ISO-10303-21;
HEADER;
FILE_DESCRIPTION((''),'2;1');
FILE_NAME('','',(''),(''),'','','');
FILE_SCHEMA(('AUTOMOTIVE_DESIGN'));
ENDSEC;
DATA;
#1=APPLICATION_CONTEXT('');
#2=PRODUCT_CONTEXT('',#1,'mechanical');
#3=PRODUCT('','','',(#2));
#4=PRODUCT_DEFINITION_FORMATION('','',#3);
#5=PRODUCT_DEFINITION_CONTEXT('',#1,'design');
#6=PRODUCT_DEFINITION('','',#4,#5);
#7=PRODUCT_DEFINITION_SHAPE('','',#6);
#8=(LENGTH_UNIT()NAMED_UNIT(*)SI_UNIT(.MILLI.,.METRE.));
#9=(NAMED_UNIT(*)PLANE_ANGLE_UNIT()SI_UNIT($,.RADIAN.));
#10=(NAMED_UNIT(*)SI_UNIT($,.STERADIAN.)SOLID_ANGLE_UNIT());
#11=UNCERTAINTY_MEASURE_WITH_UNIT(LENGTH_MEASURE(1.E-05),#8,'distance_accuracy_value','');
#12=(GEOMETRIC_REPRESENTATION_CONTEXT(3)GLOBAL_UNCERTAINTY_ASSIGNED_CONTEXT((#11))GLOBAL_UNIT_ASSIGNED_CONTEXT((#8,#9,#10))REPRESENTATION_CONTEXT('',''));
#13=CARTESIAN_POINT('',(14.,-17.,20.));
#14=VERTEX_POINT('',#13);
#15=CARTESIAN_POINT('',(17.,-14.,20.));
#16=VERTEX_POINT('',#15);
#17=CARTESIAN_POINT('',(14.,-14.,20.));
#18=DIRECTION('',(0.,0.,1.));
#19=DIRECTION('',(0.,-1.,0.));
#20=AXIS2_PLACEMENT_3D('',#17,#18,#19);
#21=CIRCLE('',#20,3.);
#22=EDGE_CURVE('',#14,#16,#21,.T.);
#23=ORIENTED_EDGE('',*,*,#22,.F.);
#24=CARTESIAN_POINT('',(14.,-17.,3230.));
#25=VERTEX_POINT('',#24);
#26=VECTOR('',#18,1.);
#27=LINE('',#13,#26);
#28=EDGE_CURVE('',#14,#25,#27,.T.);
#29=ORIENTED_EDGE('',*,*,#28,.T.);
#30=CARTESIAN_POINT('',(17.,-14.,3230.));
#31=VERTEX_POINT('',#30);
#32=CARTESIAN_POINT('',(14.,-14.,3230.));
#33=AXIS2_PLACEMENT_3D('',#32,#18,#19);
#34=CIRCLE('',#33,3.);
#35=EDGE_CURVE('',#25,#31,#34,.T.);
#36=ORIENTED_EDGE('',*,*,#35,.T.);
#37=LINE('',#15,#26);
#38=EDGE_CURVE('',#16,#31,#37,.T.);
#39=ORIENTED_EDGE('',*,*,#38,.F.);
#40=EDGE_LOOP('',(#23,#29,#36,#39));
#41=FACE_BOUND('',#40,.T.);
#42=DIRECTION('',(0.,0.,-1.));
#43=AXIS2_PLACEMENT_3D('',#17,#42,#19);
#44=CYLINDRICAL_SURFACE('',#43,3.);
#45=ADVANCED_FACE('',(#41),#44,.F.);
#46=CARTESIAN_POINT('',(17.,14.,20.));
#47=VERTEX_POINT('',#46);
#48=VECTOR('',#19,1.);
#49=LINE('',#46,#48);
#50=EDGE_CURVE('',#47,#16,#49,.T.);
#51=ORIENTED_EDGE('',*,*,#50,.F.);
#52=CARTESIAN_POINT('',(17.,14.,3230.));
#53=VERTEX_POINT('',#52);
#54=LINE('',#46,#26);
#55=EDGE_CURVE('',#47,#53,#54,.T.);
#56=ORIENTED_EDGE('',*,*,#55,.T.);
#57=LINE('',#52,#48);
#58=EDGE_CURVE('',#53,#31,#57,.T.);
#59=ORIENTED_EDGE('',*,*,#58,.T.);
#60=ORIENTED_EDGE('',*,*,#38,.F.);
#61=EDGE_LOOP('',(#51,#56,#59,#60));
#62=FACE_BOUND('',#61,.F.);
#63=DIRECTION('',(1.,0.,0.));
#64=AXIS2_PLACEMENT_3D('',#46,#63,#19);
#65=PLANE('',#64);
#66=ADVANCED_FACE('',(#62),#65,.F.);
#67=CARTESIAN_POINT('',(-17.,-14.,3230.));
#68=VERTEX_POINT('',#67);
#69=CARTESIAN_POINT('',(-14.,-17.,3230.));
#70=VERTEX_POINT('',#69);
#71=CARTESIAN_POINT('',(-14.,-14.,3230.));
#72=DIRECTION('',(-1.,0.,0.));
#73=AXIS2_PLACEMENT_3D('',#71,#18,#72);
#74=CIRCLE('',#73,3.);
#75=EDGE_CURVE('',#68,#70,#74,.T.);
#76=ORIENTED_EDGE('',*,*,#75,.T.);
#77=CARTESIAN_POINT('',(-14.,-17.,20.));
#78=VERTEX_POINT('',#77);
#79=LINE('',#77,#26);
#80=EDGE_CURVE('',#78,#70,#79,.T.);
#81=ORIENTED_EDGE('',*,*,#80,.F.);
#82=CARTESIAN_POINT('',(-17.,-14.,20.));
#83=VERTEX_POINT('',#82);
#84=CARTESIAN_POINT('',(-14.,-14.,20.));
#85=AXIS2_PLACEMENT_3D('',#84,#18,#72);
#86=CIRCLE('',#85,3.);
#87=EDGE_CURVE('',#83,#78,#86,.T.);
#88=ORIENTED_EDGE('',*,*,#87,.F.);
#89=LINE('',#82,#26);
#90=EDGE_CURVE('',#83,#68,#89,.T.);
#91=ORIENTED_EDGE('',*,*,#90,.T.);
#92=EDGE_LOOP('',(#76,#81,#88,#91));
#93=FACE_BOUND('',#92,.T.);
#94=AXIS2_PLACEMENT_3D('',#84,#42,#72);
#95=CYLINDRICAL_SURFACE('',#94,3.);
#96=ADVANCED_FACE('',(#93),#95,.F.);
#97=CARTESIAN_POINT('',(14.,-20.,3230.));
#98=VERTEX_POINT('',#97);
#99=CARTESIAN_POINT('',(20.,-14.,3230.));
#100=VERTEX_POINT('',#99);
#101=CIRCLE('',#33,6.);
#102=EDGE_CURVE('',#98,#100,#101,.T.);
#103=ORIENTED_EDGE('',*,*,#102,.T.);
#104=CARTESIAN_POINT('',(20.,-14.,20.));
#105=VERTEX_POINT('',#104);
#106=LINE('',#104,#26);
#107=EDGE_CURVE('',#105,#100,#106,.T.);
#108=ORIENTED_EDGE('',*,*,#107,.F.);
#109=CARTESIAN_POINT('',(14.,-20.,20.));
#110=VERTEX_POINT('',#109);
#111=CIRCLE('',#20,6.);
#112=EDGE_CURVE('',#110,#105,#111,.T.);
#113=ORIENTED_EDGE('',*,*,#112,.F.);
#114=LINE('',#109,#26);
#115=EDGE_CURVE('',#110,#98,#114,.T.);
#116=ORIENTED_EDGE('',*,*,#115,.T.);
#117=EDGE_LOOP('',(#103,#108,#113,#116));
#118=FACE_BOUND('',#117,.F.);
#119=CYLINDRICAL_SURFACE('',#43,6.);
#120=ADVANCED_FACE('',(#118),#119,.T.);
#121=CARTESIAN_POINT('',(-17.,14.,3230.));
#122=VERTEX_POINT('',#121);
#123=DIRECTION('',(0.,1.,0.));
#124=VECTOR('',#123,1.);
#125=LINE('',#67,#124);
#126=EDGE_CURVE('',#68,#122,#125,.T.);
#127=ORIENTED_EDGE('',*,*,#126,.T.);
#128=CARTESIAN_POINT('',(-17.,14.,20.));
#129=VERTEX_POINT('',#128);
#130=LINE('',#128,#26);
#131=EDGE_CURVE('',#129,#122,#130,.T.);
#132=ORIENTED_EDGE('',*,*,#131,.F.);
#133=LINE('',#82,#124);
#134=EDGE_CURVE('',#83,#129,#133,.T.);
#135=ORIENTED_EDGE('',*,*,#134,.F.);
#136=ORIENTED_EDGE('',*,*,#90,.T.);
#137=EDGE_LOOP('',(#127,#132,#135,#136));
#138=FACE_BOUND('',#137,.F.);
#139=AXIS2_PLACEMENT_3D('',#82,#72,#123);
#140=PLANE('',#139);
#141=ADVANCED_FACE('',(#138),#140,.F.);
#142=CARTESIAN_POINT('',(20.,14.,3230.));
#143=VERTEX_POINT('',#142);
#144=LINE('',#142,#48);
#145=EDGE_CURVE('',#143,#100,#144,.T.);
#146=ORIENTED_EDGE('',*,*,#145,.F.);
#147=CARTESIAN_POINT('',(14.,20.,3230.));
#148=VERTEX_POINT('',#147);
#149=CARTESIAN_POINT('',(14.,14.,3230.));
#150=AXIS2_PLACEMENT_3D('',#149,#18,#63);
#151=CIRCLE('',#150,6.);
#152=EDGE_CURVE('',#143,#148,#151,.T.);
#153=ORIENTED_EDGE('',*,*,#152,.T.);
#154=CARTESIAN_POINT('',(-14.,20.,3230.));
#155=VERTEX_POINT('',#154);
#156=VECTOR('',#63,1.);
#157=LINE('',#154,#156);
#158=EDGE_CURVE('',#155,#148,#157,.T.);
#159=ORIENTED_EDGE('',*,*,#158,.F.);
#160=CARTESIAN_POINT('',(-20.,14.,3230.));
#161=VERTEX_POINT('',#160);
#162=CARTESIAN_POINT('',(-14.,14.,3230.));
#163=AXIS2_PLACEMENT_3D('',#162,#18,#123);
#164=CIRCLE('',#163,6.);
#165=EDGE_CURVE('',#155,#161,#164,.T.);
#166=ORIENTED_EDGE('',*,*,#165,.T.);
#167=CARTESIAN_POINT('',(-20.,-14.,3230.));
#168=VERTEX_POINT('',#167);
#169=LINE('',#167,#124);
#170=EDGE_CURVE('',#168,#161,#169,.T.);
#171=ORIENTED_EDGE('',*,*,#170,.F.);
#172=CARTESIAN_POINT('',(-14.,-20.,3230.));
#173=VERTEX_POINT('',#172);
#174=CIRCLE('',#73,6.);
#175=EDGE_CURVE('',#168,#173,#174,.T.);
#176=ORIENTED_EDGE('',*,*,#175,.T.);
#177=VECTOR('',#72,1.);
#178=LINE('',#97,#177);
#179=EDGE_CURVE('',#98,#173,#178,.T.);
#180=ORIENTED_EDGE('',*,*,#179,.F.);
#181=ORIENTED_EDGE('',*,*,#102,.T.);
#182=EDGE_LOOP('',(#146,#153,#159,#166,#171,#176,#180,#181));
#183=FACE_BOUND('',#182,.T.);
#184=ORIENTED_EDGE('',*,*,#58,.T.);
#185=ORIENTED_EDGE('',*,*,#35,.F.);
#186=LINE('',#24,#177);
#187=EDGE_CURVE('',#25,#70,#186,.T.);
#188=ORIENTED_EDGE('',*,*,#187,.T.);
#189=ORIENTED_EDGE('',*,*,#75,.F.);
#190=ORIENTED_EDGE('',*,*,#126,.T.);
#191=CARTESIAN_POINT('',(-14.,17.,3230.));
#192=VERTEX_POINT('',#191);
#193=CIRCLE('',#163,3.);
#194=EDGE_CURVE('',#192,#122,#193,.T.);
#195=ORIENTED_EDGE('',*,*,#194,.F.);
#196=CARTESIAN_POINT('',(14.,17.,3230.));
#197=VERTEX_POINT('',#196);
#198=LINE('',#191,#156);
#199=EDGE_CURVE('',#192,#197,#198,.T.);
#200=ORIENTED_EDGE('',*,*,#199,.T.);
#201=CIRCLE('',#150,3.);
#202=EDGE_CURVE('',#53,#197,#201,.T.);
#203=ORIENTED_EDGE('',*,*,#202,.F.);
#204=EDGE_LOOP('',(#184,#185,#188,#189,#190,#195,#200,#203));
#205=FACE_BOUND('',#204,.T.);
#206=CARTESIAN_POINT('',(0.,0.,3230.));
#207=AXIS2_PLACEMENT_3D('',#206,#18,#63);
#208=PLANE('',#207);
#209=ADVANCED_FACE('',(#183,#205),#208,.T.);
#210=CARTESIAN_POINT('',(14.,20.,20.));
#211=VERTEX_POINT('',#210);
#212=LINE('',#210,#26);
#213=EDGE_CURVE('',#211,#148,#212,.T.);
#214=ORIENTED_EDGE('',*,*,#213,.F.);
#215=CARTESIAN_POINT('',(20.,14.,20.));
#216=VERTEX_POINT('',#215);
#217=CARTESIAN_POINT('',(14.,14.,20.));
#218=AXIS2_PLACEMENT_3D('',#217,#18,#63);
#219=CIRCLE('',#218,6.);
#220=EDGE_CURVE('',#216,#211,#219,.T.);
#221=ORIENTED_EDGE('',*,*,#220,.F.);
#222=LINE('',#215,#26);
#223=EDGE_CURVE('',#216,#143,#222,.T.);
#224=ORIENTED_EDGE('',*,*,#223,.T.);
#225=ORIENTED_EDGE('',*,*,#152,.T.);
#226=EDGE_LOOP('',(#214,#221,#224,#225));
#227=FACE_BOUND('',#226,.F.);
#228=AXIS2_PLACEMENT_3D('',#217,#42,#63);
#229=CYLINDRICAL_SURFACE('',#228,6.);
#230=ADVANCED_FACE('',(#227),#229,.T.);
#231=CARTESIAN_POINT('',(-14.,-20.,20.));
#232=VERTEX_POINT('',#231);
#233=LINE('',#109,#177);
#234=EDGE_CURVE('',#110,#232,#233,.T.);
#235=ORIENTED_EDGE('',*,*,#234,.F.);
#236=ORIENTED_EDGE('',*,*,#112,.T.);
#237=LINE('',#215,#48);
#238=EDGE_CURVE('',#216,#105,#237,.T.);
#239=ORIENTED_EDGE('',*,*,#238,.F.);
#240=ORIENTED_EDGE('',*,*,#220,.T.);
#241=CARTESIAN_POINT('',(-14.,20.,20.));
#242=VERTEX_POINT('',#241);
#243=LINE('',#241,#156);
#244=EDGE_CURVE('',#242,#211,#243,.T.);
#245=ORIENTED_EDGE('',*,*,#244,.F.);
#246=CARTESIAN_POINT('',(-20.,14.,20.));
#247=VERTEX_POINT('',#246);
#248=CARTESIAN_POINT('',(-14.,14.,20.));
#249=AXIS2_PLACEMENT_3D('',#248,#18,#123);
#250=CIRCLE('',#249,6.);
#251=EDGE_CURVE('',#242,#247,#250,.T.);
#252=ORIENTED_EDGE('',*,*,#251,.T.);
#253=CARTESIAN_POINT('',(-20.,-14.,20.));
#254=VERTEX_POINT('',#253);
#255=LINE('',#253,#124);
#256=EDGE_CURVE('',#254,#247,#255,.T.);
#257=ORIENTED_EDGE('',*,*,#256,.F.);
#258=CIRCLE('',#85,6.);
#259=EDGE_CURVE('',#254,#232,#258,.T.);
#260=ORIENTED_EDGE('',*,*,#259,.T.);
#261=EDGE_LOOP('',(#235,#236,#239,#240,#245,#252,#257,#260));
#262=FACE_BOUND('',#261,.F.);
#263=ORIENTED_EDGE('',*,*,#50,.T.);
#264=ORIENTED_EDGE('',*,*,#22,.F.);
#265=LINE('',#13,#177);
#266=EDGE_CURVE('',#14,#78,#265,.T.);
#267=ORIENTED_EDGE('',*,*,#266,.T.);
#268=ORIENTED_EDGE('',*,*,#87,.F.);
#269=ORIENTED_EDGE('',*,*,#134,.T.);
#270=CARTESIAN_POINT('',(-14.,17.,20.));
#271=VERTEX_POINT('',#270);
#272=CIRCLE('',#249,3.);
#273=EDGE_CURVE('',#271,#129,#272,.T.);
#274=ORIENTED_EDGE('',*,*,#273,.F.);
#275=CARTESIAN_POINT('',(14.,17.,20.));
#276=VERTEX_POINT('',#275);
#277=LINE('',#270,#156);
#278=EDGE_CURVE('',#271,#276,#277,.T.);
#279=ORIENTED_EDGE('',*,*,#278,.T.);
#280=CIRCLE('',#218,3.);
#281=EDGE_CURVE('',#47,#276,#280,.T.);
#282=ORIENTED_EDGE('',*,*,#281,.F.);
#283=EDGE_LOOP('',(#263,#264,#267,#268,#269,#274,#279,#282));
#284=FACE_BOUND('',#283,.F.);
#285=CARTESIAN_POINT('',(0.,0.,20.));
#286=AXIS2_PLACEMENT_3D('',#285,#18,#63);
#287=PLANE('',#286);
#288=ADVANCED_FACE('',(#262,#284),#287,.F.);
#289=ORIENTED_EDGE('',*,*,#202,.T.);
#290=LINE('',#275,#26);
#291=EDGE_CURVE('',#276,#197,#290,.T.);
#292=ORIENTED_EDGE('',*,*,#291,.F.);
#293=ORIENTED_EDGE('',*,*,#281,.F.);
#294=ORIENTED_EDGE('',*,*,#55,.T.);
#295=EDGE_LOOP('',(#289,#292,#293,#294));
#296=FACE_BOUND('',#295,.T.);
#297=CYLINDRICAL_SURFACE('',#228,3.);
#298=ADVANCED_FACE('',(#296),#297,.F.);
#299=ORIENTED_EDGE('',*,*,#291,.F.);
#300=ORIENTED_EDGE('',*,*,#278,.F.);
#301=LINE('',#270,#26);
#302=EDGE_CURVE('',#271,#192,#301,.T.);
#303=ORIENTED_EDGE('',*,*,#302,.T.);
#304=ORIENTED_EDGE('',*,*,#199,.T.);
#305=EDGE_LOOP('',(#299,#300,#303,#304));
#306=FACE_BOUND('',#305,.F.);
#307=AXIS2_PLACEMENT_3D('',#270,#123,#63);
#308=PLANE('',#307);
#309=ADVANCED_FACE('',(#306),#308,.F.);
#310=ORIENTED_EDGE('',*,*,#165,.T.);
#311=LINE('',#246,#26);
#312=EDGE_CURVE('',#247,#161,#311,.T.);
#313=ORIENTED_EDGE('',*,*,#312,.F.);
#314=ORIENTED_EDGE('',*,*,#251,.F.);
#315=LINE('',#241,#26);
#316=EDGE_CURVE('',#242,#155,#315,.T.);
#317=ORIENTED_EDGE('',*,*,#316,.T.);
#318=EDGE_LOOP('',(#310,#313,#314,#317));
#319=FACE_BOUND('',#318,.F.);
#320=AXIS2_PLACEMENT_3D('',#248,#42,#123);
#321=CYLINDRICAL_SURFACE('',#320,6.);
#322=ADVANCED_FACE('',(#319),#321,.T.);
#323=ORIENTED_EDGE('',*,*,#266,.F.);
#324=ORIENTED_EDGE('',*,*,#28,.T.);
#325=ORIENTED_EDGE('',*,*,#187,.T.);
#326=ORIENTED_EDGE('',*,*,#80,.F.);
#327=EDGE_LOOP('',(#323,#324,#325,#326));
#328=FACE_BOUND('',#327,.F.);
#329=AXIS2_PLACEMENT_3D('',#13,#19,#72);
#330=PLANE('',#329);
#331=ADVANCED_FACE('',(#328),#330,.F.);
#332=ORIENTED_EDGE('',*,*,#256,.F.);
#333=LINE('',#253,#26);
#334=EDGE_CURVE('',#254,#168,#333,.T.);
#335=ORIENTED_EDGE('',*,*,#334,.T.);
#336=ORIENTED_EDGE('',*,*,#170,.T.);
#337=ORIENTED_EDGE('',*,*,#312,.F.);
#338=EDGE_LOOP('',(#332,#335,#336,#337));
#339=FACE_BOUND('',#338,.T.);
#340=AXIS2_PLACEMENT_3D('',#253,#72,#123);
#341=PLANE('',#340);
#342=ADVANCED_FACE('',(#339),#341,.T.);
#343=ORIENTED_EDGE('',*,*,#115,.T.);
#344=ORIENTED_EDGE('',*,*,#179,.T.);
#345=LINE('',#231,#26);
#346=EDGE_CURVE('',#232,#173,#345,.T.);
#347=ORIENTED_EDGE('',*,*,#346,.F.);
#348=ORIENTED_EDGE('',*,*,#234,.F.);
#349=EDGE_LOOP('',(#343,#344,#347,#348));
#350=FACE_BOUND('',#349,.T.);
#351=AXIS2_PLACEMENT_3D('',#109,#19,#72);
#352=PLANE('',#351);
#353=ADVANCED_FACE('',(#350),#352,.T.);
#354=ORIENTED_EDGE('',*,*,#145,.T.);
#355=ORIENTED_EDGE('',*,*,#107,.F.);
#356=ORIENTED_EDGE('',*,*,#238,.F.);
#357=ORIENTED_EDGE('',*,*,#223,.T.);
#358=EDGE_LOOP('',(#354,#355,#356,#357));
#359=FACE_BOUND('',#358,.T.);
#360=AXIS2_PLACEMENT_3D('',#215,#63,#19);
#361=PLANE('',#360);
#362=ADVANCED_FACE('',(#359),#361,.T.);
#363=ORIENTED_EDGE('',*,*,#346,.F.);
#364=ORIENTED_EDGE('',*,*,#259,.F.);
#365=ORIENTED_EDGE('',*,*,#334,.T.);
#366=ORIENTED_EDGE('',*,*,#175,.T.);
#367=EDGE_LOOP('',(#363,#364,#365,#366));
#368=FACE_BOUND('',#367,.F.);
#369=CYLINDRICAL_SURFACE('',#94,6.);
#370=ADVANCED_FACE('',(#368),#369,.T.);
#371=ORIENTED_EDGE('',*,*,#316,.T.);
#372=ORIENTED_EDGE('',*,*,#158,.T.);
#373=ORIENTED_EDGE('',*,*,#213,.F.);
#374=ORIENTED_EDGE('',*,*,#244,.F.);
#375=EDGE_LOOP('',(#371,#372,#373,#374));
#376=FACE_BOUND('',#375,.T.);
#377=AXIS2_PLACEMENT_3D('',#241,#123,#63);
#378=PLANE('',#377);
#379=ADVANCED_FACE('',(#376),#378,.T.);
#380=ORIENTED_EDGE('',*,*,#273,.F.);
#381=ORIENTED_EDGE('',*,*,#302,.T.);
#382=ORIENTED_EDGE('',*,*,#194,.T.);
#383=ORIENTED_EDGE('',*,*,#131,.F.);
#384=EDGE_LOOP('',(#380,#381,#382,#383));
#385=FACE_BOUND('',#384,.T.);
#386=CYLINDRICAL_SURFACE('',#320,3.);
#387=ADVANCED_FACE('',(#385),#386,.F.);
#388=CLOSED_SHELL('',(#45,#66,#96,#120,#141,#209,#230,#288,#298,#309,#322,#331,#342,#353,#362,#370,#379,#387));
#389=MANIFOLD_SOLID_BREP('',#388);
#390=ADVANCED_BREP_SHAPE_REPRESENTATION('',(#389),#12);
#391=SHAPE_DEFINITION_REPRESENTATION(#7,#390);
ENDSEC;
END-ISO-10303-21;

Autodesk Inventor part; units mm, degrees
ref_plane "Start Plane" through (0, 0, 20) normal (0, 0, 1) x (1, 0, 0)
ref_plane "End Plane" through (0, 0, 3230) normal (0, 0, 1) x (1, 0, 0)
sketch "Sketch" plane through (0, 0, 0) normal (0, 0, 1) x (1, 0, 0)
  line L0 (-20, -14) -> (-20, 14)
  line L1 (-14, 20) -> (14, 20)
  line L2 (20, 14) -> (20, -14)
  line L3 (14, -20) -> (-14, -20)
  arc A0 (-20, -14) -> (-14, -20) centre (-14, -14) ccw
  arc A1 (20, 14) -> (14, 20) centre (14, 14) ccw
  arc A2 (-14, 20) -> (-20, 14) centre (-14, 14) ccw
  arc A3 (14, -20) -> (20, -14) centre (14, -14) ccw
  arc A4 (-14, 17) -> (-17, 14) centre (-14, 14) ccw
  line L4 (-14, 17) -> (14, 17)
  arc A5 (17, 14) -> (14, 17) centre (14, 14) ccw
  line L5 (17, 14) -> (17, -14)
  arc A6 (14, -17) -> (17, -14) centre (14, -14) ccw
  line L6 (14, -17) -> (-14, -17)
  arc A7 (-17, -14) -> (-14, -17) centre (-14, -14) ccw
  line L7 (-17, -14) -> (-17, 14)
  line L8 (0, 29.7397) -> (0, -29.7397) construction
  line L9 (-29.7397, 0) -> (29.7397, 0) construction
  dimension "d7" = 6
  dimension "d9" = 40
  dimension "d11" = 40
  dimension "d12" = 3
  dimension "d15" = 20
  dimension "d16" = 20
extrude "Body" add sketch "Sketch" along normal up to surface (3210 mm away) from surface at 20
sketch "Sketch3" plane through (0, 0, 0) normal (0, 0, 1) x (1, 0, 0)
  line L0 (0, 0) -> (10, 0)
ref_plane "Work Plane3" through (0, 0, 0) normal (0, -1, 0) x (1, 0, 0)
ref_plane "Work Plane4" through (-508, -12, 20) normal (0, 0, -1) x (-1, 0, 0)
split "Split1" plane through (-508, -12, 20) removes the side toward (0, 0, -1)
ref_plane "Work Plane5" through (1492, -12, 3230) normal (0, 0, 1) x (1, 0, 0)
split "Split2" plane through (1492, -12, 3230) removes the side toward (0, 0, 1)
sketch "Sketch4" plane through (0, 0, 0) normal (0, -1, 0) x (1, 0, 0)
  line L0 (-2, 20) -> (12, 20) projected
  line L1 (-2, 3230) -> (12, 3230) projected
  dimension "d18" = 3210
equation "\"d7\" = G_IR"
equation "\"d9\" = G_W"
equation "\"d11\" = G_H"
equation "\"d12\" = G_T"
equation "\"d15\" = 0.5 * d9"
equation "\"d16\" = 0.5 * d11"
equation "\"d3\" = G_L"
equation "\"G_W\" = 40"
equation "\"G_H\" = 40"
equation "\"G_T\" = 3"
equation "\"G_IR\" = 6"
equation "\"G_L\" = d18"
properties part number "ISO 10799-2 - 40x40x3 - 3210" material "Steel, Mild"
